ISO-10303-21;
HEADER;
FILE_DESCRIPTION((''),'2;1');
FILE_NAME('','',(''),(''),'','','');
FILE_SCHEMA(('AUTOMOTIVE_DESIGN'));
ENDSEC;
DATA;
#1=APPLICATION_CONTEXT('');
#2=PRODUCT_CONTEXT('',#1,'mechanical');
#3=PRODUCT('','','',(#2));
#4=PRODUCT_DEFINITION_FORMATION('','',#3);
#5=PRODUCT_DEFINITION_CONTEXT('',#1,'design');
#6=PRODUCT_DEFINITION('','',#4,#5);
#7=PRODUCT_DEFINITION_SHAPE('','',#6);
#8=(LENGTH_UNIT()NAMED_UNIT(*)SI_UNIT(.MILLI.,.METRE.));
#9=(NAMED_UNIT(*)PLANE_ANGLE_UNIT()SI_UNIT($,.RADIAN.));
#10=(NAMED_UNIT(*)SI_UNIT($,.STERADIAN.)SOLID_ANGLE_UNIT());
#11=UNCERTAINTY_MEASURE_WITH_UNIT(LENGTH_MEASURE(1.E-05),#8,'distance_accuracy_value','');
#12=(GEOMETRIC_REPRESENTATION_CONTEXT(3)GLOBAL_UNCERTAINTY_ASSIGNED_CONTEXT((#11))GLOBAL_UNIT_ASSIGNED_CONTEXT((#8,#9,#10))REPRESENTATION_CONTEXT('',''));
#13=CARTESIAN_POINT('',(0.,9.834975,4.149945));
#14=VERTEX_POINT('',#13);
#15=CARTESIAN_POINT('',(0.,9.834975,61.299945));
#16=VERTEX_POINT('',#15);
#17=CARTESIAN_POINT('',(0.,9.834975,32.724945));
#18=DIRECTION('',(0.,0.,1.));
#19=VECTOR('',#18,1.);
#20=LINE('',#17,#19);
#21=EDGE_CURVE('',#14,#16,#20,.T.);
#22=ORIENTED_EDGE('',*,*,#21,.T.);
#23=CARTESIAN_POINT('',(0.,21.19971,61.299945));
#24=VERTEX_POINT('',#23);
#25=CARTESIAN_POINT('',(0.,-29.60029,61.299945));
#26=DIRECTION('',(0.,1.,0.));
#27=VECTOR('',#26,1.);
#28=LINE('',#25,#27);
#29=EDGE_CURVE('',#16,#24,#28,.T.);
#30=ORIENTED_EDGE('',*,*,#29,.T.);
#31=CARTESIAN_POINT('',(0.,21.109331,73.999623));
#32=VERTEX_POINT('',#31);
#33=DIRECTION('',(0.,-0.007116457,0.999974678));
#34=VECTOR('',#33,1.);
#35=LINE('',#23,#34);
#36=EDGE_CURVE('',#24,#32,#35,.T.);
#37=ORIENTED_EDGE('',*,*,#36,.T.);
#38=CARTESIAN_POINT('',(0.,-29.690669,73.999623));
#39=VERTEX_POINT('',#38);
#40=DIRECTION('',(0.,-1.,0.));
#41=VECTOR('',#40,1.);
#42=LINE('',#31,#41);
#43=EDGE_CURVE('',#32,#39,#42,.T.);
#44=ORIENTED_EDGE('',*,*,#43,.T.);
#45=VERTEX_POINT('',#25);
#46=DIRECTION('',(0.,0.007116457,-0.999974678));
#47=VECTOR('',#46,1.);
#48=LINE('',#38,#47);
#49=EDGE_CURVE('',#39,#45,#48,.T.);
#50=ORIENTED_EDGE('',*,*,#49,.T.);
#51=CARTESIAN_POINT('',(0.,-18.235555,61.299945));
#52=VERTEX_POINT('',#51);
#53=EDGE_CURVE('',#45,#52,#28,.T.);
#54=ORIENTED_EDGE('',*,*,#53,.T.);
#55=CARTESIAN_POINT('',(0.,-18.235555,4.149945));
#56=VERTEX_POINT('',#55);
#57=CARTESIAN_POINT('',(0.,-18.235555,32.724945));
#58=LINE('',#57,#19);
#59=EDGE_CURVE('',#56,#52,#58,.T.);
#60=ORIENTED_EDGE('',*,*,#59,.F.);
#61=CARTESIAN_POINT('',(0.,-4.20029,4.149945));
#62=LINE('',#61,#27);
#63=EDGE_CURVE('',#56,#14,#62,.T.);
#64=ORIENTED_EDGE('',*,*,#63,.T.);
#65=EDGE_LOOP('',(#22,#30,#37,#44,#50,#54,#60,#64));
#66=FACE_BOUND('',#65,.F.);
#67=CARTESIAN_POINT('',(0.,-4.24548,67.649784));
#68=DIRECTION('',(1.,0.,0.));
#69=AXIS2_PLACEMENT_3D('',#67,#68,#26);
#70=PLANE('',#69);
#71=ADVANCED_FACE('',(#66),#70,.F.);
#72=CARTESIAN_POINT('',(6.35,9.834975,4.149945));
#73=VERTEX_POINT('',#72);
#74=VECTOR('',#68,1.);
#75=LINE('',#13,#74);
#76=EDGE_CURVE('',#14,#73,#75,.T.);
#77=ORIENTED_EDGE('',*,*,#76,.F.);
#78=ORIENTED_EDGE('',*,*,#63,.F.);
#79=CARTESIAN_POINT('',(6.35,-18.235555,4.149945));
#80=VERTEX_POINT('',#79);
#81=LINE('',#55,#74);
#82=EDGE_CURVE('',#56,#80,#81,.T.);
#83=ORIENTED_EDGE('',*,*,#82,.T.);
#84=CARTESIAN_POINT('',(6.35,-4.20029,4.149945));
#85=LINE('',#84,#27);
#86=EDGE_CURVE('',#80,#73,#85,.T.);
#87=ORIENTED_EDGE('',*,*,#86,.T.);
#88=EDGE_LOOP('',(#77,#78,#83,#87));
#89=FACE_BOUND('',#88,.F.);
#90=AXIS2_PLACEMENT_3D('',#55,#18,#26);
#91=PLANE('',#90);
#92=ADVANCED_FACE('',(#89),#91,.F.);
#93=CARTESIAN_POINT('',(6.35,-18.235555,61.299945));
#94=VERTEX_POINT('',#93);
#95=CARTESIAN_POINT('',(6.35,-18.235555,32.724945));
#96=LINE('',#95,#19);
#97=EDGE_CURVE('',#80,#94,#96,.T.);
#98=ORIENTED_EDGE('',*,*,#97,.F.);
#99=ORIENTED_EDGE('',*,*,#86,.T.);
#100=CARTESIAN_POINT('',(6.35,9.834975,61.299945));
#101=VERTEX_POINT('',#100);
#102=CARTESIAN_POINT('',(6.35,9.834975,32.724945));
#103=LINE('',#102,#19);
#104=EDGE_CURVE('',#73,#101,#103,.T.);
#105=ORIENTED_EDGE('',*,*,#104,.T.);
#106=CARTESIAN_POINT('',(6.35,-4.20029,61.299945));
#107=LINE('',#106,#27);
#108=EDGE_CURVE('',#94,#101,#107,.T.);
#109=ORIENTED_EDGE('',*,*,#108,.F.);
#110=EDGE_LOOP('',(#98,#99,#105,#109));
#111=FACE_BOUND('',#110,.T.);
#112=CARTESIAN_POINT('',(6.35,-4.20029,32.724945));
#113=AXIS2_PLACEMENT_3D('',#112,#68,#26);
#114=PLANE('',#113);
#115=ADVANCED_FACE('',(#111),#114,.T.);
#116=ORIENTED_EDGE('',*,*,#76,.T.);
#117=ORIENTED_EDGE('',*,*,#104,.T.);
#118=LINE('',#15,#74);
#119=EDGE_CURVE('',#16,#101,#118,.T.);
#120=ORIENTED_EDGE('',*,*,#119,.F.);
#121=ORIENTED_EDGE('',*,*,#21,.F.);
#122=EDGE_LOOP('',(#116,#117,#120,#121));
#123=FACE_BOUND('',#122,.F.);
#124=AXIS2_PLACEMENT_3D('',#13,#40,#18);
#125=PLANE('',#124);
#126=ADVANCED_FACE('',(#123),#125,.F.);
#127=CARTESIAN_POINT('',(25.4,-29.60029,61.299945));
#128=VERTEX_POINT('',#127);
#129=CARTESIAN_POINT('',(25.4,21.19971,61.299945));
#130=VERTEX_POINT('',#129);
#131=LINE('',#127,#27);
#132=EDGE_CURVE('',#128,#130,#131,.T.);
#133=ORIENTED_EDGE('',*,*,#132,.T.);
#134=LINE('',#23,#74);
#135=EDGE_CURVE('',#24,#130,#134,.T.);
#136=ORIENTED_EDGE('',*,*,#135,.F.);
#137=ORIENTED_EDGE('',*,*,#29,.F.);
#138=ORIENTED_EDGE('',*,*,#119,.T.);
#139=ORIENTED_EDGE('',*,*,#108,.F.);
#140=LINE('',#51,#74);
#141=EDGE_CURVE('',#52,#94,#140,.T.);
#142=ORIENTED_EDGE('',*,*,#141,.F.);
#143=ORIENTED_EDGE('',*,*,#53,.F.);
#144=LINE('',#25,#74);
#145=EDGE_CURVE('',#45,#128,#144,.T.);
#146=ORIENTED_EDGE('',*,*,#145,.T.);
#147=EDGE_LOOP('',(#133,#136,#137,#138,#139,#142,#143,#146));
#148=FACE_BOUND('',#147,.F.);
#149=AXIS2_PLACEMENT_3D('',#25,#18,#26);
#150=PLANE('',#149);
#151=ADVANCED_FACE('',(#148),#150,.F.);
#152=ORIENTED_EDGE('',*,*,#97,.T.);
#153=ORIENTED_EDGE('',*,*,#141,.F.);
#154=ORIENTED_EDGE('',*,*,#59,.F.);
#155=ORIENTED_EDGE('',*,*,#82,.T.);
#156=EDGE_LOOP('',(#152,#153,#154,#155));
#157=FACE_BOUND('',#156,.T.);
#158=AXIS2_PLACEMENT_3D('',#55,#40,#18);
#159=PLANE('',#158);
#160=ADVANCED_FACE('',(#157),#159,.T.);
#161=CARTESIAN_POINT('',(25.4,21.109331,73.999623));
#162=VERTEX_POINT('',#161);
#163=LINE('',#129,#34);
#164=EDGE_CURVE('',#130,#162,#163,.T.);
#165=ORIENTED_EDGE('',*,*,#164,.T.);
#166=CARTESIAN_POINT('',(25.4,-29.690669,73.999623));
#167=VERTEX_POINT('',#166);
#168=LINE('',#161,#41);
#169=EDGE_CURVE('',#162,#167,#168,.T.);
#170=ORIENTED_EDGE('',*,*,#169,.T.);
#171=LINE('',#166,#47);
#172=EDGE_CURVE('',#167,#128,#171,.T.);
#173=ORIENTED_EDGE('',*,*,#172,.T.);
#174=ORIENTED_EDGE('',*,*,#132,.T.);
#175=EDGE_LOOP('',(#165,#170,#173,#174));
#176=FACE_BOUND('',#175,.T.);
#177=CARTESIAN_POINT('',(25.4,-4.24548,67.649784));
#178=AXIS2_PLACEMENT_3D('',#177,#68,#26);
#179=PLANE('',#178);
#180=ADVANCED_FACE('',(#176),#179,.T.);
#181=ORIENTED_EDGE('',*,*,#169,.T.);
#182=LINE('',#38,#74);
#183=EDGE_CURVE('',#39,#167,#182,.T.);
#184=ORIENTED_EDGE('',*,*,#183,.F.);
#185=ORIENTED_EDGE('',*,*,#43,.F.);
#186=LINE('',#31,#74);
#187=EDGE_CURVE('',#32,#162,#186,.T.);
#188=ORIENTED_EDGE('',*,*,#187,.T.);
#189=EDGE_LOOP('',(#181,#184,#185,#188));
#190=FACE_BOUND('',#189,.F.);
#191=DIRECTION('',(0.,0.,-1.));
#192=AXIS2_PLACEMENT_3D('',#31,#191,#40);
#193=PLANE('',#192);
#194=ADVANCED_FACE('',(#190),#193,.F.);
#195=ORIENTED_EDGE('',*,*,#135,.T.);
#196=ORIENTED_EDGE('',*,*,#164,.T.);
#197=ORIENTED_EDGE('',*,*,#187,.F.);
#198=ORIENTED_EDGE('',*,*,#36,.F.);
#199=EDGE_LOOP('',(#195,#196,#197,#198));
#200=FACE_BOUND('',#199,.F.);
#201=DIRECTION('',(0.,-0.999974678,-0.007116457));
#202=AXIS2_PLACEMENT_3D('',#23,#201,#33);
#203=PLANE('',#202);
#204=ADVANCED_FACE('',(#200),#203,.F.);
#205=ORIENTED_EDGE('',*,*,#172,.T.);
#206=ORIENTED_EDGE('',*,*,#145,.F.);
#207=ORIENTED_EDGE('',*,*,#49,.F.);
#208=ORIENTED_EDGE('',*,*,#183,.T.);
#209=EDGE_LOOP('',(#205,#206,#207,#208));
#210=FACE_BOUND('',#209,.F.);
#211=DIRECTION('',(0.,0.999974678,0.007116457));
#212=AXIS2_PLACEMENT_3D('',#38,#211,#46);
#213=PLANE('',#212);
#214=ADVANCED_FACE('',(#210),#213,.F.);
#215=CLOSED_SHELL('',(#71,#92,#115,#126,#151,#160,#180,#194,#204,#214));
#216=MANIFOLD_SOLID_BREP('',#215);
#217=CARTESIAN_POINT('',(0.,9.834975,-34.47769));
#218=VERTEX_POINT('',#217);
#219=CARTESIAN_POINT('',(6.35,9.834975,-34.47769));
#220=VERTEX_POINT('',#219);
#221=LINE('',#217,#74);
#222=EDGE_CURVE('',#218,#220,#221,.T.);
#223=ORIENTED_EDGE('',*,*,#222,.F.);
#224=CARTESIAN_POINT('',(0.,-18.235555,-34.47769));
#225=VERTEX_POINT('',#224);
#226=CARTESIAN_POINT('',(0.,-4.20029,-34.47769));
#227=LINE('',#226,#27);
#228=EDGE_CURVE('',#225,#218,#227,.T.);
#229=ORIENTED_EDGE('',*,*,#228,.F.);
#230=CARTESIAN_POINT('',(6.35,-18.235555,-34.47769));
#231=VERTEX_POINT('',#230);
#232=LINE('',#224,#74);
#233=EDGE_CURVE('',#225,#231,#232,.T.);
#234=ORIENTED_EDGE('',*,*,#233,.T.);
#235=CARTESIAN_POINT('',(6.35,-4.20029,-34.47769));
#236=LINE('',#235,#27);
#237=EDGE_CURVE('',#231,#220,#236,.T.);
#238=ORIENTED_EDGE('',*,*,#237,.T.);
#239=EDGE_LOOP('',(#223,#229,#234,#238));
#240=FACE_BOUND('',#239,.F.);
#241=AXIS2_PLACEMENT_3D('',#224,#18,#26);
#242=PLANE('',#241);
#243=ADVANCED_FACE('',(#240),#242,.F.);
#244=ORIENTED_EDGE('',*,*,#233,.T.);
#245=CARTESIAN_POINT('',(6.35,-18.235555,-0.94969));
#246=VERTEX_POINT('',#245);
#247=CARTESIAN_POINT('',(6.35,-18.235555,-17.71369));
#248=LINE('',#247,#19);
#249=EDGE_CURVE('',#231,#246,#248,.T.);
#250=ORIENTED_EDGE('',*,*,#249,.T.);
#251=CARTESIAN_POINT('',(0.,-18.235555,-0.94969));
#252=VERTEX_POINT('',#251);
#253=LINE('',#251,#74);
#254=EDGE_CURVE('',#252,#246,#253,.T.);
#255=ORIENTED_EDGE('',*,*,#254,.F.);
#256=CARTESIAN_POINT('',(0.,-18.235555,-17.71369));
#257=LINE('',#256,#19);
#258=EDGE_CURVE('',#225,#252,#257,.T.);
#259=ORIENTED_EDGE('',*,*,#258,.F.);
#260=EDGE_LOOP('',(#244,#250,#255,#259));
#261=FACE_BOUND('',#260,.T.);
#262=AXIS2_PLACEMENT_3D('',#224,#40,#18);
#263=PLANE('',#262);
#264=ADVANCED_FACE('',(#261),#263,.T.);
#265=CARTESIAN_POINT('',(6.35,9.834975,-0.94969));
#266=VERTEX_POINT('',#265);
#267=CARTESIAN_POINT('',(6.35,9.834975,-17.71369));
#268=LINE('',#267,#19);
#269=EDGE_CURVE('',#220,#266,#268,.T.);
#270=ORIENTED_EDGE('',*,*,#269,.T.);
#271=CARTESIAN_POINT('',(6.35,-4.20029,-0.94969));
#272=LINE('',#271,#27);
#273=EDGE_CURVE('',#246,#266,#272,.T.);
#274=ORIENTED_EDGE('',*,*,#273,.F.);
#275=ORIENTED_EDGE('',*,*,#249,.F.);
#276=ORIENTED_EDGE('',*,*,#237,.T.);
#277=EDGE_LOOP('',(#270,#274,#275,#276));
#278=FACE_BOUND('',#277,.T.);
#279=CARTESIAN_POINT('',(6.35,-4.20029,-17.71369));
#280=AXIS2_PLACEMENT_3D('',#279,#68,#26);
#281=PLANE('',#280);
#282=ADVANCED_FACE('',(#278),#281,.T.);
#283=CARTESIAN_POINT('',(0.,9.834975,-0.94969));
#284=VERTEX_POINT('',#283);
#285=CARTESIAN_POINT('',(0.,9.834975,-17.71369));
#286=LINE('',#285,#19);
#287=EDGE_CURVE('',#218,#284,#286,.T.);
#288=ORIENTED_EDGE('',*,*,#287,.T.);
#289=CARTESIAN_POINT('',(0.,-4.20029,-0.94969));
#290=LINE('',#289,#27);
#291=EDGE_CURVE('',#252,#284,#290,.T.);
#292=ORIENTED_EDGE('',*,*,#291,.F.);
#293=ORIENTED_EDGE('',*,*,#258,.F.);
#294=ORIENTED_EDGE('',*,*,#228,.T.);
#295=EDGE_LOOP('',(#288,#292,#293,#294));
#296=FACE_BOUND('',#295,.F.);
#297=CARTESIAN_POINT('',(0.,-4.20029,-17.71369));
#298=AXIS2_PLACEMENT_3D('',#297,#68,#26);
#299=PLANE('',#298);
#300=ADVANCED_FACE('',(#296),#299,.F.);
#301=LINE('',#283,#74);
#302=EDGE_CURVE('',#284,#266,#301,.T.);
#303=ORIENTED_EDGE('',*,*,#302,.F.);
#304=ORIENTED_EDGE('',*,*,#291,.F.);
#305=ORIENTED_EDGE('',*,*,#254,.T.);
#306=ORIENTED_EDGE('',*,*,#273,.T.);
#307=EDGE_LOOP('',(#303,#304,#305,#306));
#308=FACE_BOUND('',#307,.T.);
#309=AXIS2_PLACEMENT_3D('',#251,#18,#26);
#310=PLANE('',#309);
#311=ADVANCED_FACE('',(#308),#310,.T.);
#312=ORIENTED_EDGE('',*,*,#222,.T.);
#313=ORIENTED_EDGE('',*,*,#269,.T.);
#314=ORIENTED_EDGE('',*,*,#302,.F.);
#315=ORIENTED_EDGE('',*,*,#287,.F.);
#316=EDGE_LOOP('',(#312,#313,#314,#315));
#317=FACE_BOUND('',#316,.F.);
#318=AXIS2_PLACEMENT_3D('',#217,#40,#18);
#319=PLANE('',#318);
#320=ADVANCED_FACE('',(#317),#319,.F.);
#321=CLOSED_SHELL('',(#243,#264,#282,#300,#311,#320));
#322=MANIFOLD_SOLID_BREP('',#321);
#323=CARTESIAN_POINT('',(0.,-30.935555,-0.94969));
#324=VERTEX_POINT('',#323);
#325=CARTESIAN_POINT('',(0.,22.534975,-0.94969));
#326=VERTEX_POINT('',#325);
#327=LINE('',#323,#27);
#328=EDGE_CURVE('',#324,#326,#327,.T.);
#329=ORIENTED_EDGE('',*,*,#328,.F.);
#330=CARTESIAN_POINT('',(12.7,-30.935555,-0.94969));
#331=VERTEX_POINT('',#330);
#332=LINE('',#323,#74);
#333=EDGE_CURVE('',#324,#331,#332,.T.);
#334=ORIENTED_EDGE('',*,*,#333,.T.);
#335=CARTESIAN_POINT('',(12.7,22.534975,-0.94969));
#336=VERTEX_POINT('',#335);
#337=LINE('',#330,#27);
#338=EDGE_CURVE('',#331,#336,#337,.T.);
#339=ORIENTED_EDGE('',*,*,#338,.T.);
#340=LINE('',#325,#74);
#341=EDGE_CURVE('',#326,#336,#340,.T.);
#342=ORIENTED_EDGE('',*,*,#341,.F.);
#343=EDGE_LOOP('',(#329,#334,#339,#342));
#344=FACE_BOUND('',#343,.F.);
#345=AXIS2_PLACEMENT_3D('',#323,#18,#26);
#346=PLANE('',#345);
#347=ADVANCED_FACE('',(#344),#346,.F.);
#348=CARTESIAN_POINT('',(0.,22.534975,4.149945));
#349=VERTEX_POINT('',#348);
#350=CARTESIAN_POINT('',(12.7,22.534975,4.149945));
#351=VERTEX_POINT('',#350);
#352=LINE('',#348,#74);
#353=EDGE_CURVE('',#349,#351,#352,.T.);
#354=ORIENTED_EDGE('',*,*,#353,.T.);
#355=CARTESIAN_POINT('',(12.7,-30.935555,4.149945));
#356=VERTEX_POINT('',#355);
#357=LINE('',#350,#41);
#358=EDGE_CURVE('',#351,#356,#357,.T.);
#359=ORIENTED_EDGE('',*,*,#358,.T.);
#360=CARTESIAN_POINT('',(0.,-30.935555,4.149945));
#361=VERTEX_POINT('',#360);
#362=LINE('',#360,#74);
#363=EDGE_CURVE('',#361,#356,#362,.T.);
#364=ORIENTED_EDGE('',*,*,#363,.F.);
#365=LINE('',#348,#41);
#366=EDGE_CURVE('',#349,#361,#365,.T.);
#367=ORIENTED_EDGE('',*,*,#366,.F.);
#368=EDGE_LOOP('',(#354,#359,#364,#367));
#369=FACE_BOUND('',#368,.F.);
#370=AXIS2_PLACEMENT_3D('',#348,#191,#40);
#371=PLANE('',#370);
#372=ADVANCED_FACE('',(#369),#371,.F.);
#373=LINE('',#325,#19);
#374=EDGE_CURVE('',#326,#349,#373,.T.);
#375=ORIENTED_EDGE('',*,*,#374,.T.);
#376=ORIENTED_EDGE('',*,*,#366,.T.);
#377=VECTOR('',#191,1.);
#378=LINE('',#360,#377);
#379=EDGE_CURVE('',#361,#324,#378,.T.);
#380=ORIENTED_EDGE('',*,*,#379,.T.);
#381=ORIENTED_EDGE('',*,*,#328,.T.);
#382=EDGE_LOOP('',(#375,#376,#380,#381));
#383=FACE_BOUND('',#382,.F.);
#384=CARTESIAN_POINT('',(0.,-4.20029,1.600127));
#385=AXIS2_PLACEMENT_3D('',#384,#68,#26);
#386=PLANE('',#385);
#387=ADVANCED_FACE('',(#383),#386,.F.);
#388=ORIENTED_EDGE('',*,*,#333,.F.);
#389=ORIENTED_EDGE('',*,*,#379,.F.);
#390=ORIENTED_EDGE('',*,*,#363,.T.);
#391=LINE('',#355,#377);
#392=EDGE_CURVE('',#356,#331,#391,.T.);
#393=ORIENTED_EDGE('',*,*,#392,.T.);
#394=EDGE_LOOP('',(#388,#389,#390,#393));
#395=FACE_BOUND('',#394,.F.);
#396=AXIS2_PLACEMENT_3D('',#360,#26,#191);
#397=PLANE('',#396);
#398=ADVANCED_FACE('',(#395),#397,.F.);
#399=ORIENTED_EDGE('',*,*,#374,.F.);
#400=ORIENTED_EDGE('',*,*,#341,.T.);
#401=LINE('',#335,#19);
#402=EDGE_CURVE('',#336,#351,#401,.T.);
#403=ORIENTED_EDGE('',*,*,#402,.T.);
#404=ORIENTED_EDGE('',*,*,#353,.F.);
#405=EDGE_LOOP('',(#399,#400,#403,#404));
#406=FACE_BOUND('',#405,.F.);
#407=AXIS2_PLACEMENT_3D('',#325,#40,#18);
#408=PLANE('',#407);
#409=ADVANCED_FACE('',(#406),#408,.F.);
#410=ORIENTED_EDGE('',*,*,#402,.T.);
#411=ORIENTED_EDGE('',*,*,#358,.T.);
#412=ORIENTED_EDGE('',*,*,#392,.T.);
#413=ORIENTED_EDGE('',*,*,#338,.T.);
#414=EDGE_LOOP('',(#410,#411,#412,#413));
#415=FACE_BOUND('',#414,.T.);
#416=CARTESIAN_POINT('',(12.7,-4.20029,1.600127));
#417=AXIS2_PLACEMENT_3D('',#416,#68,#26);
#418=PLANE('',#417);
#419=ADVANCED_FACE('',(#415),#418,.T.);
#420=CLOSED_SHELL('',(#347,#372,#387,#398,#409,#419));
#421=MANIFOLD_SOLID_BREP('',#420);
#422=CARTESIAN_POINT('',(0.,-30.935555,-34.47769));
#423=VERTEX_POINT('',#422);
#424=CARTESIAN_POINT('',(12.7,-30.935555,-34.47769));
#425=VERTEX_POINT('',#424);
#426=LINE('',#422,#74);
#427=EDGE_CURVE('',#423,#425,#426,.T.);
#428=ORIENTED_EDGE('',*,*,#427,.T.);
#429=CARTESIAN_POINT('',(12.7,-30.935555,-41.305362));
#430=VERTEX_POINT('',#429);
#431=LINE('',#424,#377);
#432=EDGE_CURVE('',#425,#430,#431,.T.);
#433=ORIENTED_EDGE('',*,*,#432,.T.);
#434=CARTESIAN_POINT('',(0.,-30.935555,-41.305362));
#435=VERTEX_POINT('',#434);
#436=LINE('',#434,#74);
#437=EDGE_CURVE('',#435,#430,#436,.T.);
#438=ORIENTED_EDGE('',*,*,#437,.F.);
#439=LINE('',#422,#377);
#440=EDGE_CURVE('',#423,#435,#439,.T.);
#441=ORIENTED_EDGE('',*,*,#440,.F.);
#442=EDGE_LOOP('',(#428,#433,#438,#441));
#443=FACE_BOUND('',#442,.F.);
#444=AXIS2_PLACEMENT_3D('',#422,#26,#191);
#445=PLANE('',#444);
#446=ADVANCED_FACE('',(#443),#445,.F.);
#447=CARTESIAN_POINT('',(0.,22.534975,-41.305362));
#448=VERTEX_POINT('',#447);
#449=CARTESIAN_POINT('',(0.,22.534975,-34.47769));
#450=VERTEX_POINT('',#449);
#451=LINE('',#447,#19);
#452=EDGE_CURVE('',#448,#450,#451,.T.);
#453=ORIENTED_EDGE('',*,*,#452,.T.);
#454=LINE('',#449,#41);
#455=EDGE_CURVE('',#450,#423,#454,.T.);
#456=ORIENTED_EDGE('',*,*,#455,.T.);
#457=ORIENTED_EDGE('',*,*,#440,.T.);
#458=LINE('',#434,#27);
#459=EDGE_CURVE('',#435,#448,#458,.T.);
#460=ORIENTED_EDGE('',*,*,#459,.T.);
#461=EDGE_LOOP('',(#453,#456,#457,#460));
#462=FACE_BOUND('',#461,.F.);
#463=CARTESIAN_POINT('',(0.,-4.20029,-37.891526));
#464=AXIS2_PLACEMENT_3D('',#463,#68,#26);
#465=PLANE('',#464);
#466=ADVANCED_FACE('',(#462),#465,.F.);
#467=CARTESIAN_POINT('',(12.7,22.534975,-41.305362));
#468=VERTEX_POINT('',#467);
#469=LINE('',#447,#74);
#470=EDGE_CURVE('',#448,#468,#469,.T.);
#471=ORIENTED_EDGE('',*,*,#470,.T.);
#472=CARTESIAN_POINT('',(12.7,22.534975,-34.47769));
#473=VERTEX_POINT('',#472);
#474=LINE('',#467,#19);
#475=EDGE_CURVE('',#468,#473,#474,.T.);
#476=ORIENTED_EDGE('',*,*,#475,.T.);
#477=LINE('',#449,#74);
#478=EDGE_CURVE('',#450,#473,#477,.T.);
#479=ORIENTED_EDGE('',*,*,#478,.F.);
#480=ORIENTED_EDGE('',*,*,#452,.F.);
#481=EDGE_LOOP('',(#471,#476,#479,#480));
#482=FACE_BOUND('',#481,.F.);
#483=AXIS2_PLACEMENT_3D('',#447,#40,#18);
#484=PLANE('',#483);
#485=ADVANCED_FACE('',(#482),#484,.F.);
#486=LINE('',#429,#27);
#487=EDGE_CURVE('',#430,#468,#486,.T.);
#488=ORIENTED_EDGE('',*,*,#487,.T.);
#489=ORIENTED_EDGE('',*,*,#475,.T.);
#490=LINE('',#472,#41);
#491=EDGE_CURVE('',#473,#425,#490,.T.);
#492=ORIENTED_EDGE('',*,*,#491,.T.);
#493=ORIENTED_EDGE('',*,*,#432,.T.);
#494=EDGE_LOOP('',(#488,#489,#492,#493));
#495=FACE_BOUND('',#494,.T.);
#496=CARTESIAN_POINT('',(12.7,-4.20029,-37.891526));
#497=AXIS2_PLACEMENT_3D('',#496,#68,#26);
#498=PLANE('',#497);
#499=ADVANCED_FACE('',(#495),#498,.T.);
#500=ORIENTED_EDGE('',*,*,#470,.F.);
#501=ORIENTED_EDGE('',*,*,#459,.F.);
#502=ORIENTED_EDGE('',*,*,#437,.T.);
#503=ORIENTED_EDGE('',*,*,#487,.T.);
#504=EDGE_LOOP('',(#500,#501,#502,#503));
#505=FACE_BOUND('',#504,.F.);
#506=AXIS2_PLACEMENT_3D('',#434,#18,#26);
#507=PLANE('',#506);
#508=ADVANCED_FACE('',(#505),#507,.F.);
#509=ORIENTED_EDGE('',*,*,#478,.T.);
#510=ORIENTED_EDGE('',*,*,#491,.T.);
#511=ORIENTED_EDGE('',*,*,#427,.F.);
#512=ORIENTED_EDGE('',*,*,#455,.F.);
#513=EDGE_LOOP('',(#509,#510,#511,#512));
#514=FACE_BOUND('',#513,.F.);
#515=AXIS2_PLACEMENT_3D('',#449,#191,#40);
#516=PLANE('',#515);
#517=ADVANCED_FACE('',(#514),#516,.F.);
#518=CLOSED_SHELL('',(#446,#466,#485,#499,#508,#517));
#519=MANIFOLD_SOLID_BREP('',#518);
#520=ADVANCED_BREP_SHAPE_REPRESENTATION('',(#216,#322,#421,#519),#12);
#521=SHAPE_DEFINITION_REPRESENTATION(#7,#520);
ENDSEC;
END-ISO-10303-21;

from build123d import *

# Parameters (mm, degrees)
F0_W     = 28.07053
F0_H     = 57.15
F0_H_2   = 33.528
F1_DEPTH = 6.35
F2_DEPTH = 25.4
F3_DEPTH = 12.7


with BuildPart() as f1:
    # F0 (on Right) → F1 (new body)
    with BuildSketch(Plane.YZ):
        with Locations((-4.20029, 32.724945)):
            Rectangle(F0_W, F0_H)
        with Locations((-4.20029, -17.71369)):
            Rectangle(F0_W, F0_H_2)
    extrude(amount=F1_DEPTH)

    # F0 (on Right) → F2 (join)
    with BuildSketch(Plane.YZ):
        Polygon((-29.60029, 61.299945), (-18.235555, 61.299945), (9.834975, 61.299945), (21.19971, 61.299945), (21.109331, 73.999623), (-29.690669, 73.999623), align=None)
    extrude(amount=F2_DEPTH)


with BuildPart() as f3:
    # F0 (on Right) → F3 (new body)
    with BuildSketch(Plane.YZ):
        Polygon((9.834975, 4.149945), (-18.235555, 4.149945), (-30.935555, 4.149945), (-30.935555, -0.94969), (-18.235555, -0.94969), (9.834975, -0.94969), (22.534975, -0.94969), (22.534975, 4.149945), align=None)
        Polygon((9.834975, -34.47769), (-18.235555, -34.47769), (-30.935555, -34.47769), (-30.935555, -41.305362), (22.534975, -41.305362), (22.534975, -34.47769), align=None)
    extrude(amount=F3_DEPTH)


solid = Compound([f1.part, f3.part])
